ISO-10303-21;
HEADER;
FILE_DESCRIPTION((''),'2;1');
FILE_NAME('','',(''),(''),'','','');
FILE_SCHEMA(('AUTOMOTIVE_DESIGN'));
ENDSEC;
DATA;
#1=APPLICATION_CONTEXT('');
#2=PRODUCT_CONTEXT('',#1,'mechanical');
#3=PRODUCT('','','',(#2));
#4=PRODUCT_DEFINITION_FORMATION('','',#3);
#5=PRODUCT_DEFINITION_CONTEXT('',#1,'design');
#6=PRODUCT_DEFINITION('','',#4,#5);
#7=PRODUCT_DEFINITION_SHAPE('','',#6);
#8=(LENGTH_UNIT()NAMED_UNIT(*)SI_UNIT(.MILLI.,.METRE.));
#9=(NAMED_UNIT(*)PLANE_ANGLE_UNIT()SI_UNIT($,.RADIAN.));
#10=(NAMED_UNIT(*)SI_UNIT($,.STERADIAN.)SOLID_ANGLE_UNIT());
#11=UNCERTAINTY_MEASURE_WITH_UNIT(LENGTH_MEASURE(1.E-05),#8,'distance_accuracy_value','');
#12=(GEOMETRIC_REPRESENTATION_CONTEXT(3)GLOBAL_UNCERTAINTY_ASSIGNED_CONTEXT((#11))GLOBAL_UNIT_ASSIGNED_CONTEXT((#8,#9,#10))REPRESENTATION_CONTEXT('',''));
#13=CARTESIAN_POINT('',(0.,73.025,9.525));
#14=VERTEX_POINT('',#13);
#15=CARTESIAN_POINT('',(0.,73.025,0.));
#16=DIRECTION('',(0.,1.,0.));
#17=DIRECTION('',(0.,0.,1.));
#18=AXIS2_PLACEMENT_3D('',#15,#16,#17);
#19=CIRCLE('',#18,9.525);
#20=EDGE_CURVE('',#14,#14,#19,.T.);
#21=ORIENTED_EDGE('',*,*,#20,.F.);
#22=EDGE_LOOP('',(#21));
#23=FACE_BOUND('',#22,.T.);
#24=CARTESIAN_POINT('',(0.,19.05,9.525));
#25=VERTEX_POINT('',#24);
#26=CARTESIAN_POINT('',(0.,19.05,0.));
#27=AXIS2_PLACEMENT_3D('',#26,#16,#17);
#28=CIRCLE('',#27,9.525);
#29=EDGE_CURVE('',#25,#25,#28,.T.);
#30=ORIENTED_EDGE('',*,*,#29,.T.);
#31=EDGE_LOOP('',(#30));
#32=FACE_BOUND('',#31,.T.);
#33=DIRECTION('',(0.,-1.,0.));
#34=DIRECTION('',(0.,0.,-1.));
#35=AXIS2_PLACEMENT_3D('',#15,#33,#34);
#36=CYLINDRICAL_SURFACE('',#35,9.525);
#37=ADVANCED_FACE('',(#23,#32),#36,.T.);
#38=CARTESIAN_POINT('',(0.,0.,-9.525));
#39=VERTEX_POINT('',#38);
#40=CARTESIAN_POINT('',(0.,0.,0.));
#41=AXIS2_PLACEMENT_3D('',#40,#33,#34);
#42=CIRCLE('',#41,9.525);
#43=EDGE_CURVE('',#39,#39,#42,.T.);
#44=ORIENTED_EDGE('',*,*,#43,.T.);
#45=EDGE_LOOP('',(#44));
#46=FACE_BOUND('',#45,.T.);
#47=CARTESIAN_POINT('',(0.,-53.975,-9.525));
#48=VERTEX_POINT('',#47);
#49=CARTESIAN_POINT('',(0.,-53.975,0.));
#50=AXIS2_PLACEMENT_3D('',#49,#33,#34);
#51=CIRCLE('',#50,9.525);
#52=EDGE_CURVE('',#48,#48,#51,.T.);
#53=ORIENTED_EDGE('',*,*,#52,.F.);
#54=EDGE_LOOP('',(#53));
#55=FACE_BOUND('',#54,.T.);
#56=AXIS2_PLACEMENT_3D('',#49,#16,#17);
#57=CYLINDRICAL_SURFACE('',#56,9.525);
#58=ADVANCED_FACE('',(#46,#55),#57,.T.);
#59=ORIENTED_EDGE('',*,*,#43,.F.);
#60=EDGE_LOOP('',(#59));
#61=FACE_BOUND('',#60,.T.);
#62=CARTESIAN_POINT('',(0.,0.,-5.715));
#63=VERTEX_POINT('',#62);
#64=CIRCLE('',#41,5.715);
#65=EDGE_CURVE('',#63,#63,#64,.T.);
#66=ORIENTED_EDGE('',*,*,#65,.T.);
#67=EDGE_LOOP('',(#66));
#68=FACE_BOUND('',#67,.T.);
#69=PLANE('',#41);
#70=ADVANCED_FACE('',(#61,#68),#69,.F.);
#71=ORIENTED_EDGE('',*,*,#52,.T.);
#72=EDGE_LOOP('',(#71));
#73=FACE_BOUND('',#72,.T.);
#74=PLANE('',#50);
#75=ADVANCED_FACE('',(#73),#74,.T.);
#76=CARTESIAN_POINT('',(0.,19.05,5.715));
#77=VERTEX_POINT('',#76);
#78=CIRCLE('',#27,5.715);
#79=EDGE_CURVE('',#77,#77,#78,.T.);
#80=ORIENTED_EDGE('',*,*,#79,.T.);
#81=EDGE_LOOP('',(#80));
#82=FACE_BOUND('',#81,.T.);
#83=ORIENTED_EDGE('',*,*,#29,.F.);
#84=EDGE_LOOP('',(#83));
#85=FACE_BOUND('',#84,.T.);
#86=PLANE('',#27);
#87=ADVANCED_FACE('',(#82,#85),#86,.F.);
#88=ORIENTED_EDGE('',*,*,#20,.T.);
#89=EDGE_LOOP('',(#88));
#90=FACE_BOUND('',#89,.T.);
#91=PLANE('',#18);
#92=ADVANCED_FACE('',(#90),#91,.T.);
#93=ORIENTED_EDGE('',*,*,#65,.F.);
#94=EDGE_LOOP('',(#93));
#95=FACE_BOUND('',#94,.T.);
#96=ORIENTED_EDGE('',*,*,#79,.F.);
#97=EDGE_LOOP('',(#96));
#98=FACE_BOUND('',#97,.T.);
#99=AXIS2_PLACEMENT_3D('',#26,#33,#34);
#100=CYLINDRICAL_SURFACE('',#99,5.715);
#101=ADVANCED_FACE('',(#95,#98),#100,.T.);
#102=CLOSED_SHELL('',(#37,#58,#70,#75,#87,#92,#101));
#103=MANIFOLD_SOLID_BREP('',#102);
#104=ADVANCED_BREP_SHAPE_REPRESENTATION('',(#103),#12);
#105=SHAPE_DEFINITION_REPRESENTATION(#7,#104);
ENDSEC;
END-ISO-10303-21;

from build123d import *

# Parameters (mm, degrees)
SKETCH1_R           = 5.715
BOSS_EXTRUDE1_DEPTH = 19.05
SKETCH2_R           = 9.525
BOSS_EXTRUDE2_DEPTH = 53.975
SKETCH3_R           = 9.525
BOSS_EXTRUDE3_DEPTH = 53.975


with BuildPart() as part:
    # Sketch1 → Boss-Extrude1 (new body)
    with BuildSketch(Plane(origin=(0, 0, 0), x_dir=(1, 0, 0), z_dir=(0, 1, 0))):
        Circle(SKETCH1_R)
    extrude(amount=BOSS_EXTRUDE1_DEPTH)

    # Sketch2 → Boss-Extrude2 (add)
    with BuildSketch(Plane(origin=(0, 19.05, 0), x_dir=(1, 0, 0), z_dir=(0, 1, 0))):
        Circle(SKETCH2_R)
    extrude(amount=BOSS_EXTRUDE2_DEPTH)

    # Sketch3 → Boss-Extrude3 (add)
    with BuildSketch(Plane.XZ):
        Circle(SKETCH3_R)
    extrude(amount=BOSS_EXTRUDE3_DEPTH)


solid = part.part
